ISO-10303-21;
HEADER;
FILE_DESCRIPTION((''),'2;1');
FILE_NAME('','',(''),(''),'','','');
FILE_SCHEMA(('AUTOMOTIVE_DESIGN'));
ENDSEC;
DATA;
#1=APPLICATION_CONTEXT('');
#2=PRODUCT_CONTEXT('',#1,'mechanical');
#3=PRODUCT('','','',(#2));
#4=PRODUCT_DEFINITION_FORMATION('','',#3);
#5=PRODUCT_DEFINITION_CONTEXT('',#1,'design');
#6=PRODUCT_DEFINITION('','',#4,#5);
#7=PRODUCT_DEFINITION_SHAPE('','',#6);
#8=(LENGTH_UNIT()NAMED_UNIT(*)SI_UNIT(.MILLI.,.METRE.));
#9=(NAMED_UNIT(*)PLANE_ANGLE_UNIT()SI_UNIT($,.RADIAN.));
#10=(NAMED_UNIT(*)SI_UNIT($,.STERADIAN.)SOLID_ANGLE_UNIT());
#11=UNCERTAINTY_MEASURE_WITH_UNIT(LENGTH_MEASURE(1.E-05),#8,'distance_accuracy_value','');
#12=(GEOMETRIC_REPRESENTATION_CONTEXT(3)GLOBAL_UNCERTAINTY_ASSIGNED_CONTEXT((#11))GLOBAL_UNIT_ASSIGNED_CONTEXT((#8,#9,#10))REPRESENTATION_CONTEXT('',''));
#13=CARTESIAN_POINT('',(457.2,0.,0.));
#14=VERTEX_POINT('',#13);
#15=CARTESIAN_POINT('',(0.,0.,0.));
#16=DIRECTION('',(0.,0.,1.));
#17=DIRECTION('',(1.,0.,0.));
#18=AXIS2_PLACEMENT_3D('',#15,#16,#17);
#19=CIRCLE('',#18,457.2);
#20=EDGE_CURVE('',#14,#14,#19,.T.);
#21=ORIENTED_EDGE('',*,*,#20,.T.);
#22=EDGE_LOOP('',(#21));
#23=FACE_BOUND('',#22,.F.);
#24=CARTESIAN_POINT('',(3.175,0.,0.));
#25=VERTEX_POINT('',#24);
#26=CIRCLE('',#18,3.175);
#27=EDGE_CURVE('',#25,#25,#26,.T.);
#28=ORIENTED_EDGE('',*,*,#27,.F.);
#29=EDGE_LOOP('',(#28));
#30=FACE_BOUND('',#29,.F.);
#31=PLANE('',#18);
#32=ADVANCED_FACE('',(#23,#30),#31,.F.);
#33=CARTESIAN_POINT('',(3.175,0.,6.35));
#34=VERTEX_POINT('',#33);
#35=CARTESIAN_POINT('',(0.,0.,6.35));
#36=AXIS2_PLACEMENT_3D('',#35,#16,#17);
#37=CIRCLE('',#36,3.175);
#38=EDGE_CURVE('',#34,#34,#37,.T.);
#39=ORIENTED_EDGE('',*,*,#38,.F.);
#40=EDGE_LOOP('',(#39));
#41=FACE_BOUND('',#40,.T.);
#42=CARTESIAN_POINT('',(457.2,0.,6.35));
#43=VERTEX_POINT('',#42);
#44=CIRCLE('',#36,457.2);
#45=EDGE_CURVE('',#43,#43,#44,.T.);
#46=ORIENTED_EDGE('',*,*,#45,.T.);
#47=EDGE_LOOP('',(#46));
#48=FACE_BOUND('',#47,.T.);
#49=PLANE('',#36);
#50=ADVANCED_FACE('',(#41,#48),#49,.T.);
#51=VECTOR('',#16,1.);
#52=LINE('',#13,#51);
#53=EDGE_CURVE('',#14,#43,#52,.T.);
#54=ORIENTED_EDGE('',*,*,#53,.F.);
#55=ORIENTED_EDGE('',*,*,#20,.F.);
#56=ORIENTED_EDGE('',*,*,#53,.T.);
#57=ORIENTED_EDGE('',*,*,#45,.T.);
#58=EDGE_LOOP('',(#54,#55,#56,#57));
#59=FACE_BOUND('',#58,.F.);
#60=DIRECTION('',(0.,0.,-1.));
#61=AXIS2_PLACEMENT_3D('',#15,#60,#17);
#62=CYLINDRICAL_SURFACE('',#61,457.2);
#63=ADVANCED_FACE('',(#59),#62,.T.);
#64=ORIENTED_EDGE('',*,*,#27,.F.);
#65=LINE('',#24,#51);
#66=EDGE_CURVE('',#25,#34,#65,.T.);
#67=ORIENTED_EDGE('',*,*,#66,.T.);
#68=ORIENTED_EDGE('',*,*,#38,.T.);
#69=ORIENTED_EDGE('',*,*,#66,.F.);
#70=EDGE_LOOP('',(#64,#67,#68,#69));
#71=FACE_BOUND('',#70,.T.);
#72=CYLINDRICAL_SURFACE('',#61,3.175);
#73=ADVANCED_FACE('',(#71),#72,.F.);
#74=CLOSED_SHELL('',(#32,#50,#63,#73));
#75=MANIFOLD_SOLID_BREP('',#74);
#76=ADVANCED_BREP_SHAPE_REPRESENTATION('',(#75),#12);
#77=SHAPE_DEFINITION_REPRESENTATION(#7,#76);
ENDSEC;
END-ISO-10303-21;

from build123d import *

# Parameters (mm, degrees)
F0_R     = 457.2
F0_R_2   = 406.4
F0_R_3   = 3.175
F1_DEPTH = 6.35


with BuildPart() as f1:
    # F0 (on Top) → F1 (new body)
    with BuildSketch(Plane.XY):
        Circle(F0_R)
        Circle(F0_R_2, mode=Mode.SUBTRACT)
        Circle(F0_R_2)
        Circle(F0_R_3, mode=Mode.SUBTRACT)
    extrude(amount=F1_DEPTH)


solid = f1.part
